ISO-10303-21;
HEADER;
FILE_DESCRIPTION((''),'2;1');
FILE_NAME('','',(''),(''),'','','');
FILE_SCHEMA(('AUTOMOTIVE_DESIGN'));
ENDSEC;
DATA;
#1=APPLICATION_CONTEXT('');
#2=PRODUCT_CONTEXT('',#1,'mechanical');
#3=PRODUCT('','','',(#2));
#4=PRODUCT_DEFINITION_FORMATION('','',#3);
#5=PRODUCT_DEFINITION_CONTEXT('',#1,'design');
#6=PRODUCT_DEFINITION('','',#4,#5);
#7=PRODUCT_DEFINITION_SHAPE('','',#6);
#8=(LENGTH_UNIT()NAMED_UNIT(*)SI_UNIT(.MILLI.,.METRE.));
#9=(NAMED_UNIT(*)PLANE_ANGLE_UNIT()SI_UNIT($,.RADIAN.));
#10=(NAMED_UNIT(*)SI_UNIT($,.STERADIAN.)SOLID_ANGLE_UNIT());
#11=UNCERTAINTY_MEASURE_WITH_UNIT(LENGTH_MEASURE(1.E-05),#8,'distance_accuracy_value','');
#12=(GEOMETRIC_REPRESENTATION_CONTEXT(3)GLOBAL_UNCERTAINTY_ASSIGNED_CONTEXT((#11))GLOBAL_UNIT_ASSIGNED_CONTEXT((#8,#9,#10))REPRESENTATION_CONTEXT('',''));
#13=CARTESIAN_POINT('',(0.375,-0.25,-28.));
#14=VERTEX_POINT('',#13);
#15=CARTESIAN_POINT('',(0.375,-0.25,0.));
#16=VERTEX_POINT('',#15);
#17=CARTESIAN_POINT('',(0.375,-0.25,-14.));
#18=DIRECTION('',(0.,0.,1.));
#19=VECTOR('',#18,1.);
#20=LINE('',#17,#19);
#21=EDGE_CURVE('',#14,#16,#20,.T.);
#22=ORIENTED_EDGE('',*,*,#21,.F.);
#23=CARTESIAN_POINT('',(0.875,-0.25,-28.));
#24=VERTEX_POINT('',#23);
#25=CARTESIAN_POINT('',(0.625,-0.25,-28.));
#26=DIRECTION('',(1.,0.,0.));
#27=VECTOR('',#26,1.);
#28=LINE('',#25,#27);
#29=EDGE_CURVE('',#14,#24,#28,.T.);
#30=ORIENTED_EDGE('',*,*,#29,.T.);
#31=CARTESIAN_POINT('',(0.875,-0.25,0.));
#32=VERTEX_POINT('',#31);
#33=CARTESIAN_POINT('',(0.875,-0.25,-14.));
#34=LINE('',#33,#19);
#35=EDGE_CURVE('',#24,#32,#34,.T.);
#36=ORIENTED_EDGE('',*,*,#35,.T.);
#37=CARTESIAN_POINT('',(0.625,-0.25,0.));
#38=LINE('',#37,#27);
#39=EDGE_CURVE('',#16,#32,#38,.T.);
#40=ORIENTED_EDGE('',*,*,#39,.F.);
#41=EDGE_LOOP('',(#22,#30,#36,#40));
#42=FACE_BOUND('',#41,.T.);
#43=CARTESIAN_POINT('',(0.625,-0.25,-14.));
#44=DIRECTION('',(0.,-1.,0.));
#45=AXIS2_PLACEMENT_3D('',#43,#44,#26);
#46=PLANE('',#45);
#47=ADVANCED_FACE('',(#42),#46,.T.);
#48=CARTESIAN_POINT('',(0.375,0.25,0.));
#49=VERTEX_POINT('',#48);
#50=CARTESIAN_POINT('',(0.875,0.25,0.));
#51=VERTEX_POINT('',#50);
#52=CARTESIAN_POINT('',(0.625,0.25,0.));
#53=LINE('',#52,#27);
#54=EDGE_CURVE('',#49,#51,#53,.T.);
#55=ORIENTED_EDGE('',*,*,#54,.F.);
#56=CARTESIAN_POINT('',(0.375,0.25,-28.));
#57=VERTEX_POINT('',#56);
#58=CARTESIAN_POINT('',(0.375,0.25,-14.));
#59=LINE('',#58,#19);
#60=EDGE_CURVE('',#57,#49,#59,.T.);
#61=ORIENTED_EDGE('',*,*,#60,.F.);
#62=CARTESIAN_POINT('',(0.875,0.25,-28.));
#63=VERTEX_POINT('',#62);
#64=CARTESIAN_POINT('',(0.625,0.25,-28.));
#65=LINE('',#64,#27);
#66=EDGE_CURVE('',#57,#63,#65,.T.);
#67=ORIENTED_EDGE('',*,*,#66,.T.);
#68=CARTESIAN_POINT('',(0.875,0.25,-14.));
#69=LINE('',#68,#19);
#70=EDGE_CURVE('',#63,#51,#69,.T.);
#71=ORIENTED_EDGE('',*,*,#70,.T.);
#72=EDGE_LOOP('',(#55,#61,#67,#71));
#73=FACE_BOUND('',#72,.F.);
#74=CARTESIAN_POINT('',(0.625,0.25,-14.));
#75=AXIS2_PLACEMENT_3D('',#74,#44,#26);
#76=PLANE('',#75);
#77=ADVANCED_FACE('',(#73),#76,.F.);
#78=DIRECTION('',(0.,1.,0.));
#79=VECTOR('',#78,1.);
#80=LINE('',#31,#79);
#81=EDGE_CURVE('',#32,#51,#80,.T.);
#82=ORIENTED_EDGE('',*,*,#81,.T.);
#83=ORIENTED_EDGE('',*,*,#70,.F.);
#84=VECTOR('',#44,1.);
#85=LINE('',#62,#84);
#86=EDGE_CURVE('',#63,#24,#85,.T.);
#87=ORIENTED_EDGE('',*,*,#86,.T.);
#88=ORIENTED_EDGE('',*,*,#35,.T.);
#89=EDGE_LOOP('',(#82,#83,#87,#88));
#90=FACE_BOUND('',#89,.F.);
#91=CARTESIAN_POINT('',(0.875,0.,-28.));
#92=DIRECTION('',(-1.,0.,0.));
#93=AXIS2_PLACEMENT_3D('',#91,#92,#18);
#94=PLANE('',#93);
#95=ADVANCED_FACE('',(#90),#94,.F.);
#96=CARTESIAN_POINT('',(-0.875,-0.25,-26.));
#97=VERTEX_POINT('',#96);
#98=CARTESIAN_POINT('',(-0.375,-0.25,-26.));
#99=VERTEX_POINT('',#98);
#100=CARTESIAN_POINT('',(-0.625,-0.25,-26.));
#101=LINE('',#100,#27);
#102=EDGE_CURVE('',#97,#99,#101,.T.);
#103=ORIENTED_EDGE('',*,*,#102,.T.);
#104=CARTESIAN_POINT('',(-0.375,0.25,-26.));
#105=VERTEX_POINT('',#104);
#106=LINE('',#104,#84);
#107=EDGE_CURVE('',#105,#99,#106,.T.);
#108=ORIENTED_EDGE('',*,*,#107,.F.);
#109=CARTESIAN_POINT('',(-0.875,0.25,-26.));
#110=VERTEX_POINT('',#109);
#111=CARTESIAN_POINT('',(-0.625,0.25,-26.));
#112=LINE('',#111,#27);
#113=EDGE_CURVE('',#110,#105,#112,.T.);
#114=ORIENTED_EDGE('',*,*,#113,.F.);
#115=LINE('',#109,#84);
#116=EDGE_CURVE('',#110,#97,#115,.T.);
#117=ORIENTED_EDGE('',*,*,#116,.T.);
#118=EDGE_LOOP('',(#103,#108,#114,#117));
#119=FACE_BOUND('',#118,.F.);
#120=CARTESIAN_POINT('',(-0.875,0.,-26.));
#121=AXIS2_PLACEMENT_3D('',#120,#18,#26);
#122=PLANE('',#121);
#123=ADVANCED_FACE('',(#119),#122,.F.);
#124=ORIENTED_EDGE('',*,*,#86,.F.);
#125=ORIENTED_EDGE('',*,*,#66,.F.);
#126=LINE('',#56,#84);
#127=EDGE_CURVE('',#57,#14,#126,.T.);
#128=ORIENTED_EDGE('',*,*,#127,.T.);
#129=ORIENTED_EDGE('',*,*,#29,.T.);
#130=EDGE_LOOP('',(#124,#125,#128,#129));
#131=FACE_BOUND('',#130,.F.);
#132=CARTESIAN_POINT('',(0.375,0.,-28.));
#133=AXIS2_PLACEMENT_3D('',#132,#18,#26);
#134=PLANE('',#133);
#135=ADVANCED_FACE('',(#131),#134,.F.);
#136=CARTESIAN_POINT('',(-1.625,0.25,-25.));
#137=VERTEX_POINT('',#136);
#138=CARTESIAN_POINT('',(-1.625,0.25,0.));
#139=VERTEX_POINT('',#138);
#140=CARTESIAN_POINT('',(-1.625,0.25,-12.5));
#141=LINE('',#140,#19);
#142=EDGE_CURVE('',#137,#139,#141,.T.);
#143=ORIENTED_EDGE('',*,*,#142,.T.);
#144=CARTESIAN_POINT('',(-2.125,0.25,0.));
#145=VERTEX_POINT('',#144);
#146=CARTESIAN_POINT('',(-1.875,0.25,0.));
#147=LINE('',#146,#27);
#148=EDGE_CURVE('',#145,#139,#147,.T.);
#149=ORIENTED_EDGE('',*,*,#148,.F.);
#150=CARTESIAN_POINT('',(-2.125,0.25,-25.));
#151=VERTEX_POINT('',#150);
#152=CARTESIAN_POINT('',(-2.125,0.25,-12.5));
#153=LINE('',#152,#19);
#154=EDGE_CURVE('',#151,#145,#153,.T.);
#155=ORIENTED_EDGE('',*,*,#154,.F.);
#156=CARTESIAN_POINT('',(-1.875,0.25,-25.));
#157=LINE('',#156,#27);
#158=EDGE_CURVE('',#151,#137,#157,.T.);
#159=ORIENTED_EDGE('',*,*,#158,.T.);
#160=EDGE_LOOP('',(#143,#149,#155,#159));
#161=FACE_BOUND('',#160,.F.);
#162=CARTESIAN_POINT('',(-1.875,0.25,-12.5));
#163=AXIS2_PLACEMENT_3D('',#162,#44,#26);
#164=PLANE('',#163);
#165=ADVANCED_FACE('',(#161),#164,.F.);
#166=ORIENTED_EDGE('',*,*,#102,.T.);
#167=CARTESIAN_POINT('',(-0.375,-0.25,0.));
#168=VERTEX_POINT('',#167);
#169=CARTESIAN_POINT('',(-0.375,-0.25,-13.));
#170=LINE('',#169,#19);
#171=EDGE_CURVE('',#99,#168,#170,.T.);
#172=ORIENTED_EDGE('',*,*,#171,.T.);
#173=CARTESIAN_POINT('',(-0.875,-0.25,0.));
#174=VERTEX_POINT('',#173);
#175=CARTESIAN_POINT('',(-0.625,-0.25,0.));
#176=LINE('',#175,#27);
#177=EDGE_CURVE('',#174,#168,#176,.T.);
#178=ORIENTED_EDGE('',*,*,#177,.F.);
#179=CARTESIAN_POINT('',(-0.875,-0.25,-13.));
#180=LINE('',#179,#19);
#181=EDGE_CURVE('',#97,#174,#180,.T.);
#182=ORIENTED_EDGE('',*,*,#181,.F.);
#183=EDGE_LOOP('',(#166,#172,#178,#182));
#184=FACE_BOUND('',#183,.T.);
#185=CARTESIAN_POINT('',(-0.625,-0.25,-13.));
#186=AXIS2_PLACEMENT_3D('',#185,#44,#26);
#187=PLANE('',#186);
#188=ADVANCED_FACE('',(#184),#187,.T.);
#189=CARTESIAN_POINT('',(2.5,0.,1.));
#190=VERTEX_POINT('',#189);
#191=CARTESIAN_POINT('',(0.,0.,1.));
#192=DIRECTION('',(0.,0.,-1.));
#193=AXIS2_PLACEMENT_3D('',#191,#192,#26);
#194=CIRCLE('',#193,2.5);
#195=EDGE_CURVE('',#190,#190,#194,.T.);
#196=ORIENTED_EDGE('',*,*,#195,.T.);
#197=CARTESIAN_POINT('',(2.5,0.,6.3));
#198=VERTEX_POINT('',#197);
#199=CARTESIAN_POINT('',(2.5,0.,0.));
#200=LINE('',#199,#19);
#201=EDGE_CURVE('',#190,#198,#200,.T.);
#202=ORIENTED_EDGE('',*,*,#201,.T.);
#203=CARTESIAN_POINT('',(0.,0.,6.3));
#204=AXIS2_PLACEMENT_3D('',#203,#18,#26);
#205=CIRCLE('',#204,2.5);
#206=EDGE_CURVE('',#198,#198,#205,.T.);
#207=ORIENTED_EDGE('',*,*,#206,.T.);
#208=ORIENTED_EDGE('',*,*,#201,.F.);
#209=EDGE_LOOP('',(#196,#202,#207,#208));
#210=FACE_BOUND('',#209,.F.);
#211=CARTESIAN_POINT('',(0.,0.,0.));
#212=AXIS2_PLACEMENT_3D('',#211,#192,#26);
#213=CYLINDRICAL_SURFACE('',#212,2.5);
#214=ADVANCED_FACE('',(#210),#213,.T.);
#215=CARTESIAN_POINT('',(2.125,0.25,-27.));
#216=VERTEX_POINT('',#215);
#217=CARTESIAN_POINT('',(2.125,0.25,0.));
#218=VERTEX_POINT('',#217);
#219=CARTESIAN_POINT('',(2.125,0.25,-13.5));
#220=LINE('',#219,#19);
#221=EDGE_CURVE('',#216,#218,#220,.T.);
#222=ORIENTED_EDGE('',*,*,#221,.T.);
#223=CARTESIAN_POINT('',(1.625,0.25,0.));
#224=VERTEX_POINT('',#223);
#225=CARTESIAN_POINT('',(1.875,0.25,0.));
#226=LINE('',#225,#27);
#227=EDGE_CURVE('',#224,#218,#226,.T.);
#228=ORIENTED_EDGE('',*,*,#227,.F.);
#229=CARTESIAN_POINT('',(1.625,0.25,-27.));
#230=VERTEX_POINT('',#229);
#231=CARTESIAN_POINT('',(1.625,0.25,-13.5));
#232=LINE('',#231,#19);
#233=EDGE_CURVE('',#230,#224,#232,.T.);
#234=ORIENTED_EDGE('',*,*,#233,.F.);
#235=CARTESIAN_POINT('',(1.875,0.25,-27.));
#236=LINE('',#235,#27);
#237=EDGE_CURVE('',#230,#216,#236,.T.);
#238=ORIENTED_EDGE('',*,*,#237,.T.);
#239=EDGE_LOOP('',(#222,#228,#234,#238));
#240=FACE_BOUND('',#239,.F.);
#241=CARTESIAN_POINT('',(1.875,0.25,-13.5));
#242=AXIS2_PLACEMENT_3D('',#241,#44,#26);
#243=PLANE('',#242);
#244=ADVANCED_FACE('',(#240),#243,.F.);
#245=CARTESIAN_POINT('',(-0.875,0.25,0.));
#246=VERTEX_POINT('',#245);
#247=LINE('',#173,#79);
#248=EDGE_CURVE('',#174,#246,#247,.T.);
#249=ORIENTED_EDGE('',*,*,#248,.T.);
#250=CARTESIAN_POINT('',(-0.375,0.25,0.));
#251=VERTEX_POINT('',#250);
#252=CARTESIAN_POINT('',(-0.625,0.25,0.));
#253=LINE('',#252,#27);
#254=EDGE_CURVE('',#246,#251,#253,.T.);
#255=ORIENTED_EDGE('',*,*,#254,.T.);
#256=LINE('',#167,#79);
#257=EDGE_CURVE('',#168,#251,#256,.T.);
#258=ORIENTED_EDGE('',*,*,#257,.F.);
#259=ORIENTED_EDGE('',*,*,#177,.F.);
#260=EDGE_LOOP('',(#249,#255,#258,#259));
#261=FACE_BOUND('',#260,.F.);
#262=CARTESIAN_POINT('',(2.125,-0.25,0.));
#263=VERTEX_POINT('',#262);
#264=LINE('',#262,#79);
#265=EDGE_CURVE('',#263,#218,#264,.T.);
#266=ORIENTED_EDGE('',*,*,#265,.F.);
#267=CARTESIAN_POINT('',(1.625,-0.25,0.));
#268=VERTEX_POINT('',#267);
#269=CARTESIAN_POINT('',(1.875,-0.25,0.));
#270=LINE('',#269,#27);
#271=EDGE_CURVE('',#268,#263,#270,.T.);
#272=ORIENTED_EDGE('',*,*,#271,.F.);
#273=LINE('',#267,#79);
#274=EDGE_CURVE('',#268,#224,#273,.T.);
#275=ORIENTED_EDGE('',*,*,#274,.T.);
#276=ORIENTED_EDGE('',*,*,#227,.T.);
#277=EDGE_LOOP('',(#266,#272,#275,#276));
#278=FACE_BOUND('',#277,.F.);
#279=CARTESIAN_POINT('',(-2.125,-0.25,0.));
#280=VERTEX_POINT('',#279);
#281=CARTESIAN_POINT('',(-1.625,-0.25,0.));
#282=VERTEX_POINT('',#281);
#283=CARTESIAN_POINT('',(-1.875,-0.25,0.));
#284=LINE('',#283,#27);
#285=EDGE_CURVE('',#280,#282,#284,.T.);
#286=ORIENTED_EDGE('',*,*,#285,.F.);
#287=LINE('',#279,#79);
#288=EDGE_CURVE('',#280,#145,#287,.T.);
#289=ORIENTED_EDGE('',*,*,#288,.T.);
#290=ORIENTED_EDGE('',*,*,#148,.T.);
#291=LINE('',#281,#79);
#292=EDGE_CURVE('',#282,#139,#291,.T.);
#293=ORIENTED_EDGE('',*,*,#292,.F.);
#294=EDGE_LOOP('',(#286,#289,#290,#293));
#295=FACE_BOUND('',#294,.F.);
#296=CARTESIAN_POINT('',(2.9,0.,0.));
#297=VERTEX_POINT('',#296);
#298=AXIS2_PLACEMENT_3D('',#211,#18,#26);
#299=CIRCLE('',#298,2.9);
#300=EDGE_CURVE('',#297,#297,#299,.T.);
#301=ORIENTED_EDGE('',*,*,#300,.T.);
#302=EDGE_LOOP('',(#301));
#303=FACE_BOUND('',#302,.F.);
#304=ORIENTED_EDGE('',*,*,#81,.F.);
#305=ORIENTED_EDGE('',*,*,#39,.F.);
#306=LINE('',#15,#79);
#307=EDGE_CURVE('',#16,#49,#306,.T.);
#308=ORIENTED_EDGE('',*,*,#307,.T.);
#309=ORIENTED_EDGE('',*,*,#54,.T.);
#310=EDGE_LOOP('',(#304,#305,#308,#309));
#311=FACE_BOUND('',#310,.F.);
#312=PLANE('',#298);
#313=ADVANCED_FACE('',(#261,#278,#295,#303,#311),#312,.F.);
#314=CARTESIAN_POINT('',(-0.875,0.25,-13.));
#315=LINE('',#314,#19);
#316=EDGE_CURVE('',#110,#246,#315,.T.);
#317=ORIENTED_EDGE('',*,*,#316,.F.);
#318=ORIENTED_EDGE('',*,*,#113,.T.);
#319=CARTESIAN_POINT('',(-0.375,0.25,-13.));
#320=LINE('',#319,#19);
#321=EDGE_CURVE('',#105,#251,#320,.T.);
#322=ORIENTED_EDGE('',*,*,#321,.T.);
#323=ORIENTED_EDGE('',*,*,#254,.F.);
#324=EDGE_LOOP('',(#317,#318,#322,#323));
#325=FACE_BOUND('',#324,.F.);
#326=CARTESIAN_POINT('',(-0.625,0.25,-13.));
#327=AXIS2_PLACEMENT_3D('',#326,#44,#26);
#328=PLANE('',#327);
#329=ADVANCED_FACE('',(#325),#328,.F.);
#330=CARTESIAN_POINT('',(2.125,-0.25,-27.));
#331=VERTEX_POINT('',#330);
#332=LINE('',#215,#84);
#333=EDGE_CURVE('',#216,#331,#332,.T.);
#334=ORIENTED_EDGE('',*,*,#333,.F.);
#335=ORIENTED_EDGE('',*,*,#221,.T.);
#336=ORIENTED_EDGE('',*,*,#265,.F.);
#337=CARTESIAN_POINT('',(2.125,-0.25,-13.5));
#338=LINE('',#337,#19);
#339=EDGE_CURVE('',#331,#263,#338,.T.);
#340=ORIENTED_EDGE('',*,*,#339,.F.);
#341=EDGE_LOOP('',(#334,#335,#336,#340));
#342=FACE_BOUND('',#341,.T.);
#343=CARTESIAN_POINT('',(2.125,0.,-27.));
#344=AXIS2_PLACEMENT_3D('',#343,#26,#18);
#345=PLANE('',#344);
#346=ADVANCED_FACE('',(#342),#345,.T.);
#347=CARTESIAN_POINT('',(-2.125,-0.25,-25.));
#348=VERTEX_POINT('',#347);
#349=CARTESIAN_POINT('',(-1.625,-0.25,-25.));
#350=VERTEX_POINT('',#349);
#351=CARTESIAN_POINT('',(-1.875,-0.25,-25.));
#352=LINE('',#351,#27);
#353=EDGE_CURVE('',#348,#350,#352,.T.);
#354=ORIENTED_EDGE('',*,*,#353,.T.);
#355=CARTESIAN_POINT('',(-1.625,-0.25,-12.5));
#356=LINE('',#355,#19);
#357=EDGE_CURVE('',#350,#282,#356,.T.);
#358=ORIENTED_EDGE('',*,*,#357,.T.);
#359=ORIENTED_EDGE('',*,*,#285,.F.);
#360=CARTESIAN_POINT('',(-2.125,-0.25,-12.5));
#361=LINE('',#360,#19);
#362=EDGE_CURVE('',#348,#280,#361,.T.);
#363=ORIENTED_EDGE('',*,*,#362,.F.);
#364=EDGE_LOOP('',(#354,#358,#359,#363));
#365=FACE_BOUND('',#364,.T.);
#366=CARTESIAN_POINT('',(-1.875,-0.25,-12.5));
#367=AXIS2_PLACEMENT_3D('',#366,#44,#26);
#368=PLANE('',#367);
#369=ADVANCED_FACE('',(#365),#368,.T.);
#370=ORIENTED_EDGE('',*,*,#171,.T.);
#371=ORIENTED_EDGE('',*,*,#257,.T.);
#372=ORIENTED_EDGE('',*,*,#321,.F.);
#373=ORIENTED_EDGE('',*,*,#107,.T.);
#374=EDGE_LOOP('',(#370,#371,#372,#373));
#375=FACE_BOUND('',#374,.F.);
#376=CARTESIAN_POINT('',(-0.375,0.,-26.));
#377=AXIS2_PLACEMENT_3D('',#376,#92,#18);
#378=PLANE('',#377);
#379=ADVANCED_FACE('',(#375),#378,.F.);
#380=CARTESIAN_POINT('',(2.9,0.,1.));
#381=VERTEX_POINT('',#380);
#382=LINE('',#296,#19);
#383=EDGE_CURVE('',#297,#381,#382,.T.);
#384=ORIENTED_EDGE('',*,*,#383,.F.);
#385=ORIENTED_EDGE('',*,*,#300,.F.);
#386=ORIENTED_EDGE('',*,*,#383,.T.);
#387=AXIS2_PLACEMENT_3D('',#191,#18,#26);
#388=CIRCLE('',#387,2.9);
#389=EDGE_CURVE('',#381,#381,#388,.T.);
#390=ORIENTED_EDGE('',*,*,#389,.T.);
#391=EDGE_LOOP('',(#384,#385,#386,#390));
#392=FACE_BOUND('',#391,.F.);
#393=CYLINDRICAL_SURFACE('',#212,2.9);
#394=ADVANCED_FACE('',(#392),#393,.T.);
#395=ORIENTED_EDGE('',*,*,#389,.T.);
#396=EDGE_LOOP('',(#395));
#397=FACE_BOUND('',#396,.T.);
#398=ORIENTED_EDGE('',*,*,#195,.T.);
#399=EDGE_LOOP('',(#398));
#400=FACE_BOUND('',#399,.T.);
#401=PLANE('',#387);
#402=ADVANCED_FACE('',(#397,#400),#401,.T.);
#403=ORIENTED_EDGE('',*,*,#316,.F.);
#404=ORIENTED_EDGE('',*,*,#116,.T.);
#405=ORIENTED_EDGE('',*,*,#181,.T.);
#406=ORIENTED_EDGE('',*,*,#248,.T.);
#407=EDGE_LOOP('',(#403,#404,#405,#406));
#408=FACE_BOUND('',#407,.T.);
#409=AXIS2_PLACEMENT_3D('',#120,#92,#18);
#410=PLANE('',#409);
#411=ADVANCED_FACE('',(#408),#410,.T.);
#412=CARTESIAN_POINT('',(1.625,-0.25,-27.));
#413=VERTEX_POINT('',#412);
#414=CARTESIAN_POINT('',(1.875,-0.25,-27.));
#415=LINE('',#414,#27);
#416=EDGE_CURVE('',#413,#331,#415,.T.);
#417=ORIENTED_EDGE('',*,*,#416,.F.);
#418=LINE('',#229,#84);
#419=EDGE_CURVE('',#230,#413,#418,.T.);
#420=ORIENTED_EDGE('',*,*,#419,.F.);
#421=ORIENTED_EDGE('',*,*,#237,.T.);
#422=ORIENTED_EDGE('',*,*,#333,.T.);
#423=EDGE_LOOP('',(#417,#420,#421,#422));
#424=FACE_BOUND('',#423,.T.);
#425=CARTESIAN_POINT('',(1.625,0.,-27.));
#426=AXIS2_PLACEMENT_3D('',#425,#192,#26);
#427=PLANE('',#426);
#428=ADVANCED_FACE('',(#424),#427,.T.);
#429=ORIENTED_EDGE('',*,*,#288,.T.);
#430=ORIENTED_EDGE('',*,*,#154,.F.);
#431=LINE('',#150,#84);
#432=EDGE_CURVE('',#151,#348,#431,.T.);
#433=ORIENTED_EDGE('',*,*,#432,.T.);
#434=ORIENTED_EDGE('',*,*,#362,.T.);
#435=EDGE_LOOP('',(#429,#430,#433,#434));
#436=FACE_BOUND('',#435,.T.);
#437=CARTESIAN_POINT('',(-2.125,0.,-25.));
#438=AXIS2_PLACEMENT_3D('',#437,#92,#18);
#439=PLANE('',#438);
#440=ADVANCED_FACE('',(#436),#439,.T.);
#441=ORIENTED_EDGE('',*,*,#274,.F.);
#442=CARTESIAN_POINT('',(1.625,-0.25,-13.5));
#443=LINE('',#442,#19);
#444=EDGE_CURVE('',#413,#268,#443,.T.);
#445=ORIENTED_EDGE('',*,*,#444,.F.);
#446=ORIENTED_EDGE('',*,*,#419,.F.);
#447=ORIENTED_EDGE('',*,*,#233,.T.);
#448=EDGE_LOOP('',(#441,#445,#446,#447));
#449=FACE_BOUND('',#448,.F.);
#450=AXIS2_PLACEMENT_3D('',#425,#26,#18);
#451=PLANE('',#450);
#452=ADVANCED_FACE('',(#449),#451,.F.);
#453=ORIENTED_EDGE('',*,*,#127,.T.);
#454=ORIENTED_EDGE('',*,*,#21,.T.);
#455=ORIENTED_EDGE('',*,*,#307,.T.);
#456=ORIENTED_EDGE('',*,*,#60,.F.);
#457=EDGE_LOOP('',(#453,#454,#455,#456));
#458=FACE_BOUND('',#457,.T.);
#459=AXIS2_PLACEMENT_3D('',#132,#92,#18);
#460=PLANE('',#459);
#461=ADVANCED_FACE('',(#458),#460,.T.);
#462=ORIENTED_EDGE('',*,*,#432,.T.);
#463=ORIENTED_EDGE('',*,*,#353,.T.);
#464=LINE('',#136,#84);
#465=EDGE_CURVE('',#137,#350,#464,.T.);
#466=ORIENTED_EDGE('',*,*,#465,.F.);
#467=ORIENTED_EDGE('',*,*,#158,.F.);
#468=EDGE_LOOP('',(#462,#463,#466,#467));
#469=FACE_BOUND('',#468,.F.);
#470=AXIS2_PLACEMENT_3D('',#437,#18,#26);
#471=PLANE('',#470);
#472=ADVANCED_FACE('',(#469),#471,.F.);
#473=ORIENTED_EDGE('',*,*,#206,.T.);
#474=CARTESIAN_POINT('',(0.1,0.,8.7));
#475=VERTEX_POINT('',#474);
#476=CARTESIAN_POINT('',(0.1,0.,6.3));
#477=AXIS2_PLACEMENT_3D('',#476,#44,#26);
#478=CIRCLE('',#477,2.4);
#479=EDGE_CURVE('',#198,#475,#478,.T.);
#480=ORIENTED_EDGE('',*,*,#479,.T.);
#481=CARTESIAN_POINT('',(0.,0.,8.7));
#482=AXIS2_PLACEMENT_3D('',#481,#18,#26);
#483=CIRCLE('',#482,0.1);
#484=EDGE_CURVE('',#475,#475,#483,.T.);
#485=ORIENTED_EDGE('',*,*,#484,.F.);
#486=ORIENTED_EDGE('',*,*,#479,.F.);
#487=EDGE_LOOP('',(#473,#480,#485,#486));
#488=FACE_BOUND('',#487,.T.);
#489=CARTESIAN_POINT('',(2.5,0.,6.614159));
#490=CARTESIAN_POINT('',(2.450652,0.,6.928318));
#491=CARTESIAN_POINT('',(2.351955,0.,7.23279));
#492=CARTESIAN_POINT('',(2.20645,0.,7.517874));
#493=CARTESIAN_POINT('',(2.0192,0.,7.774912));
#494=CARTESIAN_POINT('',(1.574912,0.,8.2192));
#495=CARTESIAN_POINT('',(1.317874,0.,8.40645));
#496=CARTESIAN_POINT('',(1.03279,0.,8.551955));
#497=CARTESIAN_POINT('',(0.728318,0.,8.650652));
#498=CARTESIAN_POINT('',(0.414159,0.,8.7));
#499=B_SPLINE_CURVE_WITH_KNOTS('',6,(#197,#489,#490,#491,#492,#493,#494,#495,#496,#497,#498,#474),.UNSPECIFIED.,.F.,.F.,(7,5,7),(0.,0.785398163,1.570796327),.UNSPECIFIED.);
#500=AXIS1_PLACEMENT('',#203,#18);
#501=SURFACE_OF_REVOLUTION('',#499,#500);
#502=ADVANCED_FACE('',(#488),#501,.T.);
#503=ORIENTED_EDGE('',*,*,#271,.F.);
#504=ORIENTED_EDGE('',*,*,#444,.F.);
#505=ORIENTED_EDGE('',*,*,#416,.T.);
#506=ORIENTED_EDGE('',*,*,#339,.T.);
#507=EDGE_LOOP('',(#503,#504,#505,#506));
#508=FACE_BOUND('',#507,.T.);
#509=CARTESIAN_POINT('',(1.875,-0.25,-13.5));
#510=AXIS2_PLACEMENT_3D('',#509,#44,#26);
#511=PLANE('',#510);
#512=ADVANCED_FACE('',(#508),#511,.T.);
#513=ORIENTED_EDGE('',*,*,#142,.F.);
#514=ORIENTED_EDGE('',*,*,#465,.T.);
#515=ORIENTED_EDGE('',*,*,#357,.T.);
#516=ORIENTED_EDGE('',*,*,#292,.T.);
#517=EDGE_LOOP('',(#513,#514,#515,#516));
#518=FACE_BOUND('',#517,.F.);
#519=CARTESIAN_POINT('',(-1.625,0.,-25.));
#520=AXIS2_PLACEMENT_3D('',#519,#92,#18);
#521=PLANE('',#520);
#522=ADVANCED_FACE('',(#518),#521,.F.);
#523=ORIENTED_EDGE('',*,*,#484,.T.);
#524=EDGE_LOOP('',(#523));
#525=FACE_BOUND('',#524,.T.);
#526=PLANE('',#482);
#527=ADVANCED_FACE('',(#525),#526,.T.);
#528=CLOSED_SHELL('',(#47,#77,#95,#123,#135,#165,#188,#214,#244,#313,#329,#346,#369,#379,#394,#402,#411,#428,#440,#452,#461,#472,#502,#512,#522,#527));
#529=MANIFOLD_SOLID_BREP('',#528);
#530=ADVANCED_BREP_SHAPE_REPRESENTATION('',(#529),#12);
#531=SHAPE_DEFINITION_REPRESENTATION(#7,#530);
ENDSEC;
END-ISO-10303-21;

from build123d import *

# Parameters (mm, degrees)
F0_R     = 2.9
F1_DEPTH = 1
F2_R     = 2.5
F3_DEPTH = 8.7
F4_R     = 2.4
F5_W     = 0.5
F5_H     = 25
F5_H_2   = 26
F5_H_3   = 28
F5_H_4   = 27
F6_DEPTH = 0.25


with BuildPart() as f1:
    # F0 (on Top) → F1 (new body)
    with BuildSketch(Plane.XY):
        Circle(F0_R)
    extrude(amount=F1_DEPTH)

    # F2 (on Top) → F3 (join)
    with BuildSketch(Plane.XY):
        Circle(F2_R)
    extrude(amount=F3_DEPTH)

    # F4
    f4_edges = [f1.edges().sort_by_distance(p)[0] for p in [
        (-2.5, 0, 8.7),
    ]]
    fillet(f4_edges, radius=F4_R)

    # F5 (on Front) → F6 (join, symmetric)
    with BuildSketch(Plane.XZ):
        with Locations((-1.875, -12.5)):
            Rectangle(F5_W, F5_H)
        with Locations((-0.625, -13)):
            Rectangle(F5_W, F5_H_2)
        with Locations((0.625, -14)):
            Rectangle(F5_W, F5_H_3)
        with Locations((1.875, -13.5)):
            Rectangle(F5_W, F5_H_4)
    extrude(amount=F6_DEPTH, both=True)


solid = f1.part
